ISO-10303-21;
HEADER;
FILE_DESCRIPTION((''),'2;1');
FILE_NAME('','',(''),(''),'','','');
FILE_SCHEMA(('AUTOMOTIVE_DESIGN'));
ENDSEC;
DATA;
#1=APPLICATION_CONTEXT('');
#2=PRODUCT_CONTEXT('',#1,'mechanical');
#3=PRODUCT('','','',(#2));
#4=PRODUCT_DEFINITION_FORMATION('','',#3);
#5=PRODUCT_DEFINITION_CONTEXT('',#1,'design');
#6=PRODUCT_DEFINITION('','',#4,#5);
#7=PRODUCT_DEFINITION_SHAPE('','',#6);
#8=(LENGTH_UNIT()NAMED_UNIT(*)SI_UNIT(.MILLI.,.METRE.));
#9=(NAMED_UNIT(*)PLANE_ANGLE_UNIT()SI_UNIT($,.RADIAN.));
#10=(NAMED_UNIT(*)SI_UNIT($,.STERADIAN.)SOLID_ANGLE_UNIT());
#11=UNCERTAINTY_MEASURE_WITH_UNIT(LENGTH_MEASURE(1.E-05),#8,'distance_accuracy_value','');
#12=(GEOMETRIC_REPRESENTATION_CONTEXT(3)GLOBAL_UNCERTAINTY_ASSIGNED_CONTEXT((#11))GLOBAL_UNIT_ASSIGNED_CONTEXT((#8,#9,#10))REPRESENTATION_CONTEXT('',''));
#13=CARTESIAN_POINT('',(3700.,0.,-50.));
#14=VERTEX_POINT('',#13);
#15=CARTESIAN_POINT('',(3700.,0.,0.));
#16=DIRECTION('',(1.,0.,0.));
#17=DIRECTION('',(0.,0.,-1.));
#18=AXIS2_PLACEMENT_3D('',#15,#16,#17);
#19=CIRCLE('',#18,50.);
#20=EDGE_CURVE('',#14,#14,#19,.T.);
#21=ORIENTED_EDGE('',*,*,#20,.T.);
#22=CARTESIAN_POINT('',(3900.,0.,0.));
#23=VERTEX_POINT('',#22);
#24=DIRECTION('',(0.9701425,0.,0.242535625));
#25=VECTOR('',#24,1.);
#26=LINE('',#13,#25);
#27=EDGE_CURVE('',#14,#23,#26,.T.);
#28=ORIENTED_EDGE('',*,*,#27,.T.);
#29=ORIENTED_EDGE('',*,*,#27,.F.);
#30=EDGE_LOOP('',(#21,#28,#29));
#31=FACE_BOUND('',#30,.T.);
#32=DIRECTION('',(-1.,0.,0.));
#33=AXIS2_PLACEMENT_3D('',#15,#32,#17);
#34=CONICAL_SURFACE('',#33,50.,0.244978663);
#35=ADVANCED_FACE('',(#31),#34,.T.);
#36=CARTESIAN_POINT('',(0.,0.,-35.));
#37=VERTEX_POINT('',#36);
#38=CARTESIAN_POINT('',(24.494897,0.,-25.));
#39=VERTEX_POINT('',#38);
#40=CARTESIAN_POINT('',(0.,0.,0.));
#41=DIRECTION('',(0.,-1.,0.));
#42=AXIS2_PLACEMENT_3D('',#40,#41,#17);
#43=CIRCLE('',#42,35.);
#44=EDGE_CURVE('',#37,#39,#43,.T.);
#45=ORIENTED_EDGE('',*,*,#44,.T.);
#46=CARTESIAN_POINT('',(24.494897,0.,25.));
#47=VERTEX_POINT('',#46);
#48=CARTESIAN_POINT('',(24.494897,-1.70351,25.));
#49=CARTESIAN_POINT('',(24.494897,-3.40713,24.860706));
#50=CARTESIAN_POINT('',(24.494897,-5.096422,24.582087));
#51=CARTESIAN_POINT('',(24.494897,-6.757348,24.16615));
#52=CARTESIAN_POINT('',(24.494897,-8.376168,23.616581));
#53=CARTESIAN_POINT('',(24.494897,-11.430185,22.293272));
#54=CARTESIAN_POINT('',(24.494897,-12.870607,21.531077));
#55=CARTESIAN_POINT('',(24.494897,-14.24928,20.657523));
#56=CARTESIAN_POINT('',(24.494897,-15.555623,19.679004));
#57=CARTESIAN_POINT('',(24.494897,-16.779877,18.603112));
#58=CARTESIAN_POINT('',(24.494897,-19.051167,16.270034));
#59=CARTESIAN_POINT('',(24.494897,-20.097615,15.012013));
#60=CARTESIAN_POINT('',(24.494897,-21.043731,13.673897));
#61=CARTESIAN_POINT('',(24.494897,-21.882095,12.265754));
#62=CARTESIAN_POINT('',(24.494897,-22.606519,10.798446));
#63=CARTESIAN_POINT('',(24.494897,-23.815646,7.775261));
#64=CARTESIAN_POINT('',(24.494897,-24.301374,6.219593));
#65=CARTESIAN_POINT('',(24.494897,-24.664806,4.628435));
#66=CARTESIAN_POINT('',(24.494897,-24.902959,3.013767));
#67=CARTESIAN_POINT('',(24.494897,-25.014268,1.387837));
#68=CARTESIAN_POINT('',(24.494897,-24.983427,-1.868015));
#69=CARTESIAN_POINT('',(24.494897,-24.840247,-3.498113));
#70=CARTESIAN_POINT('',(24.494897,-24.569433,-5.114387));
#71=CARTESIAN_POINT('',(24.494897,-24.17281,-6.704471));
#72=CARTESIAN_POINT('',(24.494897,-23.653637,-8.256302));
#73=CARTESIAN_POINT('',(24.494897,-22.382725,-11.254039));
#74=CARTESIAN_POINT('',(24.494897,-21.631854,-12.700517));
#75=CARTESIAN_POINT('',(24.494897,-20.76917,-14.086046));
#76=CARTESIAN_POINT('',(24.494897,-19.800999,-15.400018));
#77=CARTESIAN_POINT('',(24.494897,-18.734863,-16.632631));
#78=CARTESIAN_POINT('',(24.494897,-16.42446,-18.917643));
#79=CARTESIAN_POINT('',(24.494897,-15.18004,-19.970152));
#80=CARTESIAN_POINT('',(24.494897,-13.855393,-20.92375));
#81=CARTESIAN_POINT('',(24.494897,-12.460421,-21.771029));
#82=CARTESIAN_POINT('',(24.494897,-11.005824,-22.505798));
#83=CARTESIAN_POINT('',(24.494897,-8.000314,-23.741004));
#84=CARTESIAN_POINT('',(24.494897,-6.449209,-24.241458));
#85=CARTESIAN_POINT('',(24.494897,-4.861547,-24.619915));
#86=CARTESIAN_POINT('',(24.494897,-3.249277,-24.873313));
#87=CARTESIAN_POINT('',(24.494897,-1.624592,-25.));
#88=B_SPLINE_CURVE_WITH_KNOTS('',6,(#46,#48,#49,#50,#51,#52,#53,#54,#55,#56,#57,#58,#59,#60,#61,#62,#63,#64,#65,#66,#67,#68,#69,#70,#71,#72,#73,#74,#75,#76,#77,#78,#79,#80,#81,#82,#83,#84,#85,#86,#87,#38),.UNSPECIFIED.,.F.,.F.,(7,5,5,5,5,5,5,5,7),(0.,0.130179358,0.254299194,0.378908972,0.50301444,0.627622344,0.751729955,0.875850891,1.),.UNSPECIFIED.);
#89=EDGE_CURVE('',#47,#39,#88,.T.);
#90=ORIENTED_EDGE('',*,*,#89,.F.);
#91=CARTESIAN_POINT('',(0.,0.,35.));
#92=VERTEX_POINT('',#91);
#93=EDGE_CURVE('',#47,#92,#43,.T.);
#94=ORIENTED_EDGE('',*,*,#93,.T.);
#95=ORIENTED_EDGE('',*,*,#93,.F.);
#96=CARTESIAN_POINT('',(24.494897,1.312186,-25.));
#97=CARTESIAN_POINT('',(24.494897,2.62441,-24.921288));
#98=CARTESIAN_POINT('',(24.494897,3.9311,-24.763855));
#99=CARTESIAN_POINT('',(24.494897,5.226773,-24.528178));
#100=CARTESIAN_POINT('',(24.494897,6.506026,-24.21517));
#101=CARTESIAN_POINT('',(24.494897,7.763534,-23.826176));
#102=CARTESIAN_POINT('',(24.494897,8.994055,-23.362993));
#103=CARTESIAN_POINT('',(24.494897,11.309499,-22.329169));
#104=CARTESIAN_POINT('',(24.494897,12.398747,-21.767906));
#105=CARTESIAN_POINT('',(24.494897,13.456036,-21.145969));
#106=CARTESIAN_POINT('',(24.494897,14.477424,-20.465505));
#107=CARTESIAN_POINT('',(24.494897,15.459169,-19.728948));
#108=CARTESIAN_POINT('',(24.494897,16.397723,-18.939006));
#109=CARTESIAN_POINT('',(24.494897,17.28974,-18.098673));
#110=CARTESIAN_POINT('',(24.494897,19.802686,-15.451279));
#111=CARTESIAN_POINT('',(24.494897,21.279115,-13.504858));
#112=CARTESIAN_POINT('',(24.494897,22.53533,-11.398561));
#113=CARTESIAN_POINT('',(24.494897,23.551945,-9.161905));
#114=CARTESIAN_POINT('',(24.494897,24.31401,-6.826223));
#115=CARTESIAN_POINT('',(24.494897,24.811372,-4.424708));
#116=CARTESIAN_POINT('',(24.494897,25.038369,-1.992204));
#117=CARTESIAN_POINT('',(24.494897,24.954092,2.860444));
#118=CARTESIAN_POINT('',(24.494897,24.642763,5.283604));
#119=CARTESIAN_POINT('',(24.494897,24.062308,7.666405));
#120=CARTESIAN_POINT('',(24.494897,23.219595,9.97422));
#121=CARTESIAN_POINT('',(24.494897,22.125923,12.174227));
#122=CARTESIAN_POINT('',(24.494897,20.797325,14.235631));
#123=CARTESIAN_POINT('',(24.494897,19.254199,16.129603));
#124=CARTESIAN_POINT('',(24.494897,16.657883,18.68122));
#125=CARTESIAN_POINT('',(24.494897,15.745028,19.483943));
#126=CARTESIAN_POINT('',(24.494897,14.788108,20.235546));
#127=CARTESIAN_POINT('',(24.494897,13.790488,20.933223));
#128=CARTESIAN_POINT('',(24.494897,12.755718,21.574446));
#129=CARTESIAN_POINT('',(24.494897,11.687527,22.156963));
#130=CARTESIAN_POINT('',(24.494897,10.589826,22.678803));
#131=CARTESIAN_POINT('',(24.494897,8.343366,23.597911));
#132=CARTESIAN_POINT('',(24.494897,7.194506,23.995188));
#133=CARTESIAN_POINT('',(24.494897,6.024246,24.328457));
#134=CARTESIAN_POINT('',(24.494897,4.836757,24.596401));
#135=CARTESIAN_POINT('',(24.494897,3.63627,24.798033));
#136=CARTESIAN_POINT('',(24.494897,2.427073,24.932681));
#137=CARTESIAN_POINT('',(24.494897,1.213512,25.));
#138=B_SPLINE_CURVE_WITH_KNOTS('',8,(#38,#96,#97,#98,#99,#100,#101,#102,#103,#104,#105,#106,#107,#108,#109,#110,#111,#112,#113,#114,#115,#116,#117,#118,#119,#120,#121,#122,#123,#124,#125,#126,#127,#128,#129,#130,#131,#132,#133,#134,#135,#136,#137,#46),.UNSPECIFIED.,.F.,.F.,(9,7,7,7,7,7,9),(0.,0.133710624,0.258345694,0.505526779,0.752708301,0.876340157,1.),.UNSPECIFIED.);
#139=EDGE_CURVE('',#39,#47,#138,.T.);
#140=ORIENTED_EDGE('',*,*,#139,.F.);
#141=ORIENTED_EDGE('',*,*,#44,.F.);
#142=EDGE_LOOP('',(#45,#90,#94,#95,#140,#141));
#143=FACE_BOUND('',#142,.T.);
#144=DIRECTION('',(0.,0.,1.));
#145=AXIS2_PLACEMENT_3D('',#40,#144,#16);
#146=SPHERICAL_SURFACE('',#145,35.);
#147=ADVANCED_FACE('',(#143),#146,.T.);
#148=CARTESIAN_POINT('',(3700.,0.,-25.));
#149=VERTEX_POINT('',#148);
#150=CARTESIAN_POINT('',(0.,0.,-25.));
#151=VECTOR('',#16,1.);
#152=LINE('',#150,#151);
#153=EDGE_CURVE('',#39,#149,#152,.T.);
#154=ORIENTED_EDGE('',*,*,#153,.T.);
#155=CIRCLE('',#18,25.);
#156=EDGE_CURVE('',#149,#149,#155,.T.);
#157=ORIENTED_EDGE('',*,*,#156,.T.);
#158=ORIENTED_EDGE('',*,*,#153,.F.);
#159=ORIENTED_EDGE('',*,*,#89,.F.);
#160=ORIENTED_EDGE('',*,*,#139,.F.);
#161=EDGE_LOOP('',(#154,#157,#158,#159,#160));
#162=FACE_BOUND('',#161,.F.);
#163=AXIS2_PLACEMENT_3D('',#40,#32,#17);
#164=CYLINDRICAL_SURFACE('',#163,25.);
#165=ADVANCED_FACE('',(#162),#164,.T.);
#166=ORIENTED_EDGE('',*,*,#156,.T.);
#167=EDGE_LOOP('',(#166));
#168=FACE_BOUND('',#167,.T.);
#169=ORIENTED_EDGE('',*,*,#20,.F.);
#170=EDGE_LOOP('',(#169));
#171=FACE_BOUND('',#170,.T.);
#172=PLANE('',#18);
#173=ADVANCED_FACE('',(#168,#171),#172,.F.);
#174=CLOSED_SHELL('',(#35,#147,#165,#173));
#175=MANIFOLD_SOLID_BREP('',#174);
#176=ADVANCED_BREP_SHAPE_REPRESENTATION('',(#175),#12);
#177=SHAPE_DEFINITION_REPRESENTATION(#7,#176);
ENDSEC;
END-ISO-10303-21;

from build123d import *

# Parameters (mm, degrees)
CYLINDER_R     = 25
CYLINDER_DEPTH = 3700


with BuildPart() as sphere:
    # Sphere → Sphere (revolve)
    with BuildSketch(Plane.XZ):
        with BuildLine():
            ThreePointArc((0, -35), (35, 0), (0, 35))
            Line((0, 35), (0, -35))
        make_face()
    revolve(axis=Axis((0, 0, 0), (0, 0, 1)))


with BuildPart() as cone:
    # Cone → Cone (revolve)
    with BuildSketch(Plane(origin=(3700, 0, 0), x_dir=(0, 0, -1), z_dir=(0, -1, 0))):
        Polygon((0, 0), (50, 0), (0, 200), align=None)
    revolve(axis=Axis((3700, 0, 0), (1, 0, 0)))


with BuildPart() as fusion:
    # Cylinder → Cylinder (new body)
    with BuildSketch(Plane(origin=(0, 0, 0), x_dir=(0, 0, -1), z_dir=(1, 0, 0))):
        Circle(CYLINDER_R)
    extrude(amount=CYLINDER_DEPTH)

    # Fusion: union Sphere, Cone
    add(sphere.part)
    add(cone.part)


solid = fusion.part
